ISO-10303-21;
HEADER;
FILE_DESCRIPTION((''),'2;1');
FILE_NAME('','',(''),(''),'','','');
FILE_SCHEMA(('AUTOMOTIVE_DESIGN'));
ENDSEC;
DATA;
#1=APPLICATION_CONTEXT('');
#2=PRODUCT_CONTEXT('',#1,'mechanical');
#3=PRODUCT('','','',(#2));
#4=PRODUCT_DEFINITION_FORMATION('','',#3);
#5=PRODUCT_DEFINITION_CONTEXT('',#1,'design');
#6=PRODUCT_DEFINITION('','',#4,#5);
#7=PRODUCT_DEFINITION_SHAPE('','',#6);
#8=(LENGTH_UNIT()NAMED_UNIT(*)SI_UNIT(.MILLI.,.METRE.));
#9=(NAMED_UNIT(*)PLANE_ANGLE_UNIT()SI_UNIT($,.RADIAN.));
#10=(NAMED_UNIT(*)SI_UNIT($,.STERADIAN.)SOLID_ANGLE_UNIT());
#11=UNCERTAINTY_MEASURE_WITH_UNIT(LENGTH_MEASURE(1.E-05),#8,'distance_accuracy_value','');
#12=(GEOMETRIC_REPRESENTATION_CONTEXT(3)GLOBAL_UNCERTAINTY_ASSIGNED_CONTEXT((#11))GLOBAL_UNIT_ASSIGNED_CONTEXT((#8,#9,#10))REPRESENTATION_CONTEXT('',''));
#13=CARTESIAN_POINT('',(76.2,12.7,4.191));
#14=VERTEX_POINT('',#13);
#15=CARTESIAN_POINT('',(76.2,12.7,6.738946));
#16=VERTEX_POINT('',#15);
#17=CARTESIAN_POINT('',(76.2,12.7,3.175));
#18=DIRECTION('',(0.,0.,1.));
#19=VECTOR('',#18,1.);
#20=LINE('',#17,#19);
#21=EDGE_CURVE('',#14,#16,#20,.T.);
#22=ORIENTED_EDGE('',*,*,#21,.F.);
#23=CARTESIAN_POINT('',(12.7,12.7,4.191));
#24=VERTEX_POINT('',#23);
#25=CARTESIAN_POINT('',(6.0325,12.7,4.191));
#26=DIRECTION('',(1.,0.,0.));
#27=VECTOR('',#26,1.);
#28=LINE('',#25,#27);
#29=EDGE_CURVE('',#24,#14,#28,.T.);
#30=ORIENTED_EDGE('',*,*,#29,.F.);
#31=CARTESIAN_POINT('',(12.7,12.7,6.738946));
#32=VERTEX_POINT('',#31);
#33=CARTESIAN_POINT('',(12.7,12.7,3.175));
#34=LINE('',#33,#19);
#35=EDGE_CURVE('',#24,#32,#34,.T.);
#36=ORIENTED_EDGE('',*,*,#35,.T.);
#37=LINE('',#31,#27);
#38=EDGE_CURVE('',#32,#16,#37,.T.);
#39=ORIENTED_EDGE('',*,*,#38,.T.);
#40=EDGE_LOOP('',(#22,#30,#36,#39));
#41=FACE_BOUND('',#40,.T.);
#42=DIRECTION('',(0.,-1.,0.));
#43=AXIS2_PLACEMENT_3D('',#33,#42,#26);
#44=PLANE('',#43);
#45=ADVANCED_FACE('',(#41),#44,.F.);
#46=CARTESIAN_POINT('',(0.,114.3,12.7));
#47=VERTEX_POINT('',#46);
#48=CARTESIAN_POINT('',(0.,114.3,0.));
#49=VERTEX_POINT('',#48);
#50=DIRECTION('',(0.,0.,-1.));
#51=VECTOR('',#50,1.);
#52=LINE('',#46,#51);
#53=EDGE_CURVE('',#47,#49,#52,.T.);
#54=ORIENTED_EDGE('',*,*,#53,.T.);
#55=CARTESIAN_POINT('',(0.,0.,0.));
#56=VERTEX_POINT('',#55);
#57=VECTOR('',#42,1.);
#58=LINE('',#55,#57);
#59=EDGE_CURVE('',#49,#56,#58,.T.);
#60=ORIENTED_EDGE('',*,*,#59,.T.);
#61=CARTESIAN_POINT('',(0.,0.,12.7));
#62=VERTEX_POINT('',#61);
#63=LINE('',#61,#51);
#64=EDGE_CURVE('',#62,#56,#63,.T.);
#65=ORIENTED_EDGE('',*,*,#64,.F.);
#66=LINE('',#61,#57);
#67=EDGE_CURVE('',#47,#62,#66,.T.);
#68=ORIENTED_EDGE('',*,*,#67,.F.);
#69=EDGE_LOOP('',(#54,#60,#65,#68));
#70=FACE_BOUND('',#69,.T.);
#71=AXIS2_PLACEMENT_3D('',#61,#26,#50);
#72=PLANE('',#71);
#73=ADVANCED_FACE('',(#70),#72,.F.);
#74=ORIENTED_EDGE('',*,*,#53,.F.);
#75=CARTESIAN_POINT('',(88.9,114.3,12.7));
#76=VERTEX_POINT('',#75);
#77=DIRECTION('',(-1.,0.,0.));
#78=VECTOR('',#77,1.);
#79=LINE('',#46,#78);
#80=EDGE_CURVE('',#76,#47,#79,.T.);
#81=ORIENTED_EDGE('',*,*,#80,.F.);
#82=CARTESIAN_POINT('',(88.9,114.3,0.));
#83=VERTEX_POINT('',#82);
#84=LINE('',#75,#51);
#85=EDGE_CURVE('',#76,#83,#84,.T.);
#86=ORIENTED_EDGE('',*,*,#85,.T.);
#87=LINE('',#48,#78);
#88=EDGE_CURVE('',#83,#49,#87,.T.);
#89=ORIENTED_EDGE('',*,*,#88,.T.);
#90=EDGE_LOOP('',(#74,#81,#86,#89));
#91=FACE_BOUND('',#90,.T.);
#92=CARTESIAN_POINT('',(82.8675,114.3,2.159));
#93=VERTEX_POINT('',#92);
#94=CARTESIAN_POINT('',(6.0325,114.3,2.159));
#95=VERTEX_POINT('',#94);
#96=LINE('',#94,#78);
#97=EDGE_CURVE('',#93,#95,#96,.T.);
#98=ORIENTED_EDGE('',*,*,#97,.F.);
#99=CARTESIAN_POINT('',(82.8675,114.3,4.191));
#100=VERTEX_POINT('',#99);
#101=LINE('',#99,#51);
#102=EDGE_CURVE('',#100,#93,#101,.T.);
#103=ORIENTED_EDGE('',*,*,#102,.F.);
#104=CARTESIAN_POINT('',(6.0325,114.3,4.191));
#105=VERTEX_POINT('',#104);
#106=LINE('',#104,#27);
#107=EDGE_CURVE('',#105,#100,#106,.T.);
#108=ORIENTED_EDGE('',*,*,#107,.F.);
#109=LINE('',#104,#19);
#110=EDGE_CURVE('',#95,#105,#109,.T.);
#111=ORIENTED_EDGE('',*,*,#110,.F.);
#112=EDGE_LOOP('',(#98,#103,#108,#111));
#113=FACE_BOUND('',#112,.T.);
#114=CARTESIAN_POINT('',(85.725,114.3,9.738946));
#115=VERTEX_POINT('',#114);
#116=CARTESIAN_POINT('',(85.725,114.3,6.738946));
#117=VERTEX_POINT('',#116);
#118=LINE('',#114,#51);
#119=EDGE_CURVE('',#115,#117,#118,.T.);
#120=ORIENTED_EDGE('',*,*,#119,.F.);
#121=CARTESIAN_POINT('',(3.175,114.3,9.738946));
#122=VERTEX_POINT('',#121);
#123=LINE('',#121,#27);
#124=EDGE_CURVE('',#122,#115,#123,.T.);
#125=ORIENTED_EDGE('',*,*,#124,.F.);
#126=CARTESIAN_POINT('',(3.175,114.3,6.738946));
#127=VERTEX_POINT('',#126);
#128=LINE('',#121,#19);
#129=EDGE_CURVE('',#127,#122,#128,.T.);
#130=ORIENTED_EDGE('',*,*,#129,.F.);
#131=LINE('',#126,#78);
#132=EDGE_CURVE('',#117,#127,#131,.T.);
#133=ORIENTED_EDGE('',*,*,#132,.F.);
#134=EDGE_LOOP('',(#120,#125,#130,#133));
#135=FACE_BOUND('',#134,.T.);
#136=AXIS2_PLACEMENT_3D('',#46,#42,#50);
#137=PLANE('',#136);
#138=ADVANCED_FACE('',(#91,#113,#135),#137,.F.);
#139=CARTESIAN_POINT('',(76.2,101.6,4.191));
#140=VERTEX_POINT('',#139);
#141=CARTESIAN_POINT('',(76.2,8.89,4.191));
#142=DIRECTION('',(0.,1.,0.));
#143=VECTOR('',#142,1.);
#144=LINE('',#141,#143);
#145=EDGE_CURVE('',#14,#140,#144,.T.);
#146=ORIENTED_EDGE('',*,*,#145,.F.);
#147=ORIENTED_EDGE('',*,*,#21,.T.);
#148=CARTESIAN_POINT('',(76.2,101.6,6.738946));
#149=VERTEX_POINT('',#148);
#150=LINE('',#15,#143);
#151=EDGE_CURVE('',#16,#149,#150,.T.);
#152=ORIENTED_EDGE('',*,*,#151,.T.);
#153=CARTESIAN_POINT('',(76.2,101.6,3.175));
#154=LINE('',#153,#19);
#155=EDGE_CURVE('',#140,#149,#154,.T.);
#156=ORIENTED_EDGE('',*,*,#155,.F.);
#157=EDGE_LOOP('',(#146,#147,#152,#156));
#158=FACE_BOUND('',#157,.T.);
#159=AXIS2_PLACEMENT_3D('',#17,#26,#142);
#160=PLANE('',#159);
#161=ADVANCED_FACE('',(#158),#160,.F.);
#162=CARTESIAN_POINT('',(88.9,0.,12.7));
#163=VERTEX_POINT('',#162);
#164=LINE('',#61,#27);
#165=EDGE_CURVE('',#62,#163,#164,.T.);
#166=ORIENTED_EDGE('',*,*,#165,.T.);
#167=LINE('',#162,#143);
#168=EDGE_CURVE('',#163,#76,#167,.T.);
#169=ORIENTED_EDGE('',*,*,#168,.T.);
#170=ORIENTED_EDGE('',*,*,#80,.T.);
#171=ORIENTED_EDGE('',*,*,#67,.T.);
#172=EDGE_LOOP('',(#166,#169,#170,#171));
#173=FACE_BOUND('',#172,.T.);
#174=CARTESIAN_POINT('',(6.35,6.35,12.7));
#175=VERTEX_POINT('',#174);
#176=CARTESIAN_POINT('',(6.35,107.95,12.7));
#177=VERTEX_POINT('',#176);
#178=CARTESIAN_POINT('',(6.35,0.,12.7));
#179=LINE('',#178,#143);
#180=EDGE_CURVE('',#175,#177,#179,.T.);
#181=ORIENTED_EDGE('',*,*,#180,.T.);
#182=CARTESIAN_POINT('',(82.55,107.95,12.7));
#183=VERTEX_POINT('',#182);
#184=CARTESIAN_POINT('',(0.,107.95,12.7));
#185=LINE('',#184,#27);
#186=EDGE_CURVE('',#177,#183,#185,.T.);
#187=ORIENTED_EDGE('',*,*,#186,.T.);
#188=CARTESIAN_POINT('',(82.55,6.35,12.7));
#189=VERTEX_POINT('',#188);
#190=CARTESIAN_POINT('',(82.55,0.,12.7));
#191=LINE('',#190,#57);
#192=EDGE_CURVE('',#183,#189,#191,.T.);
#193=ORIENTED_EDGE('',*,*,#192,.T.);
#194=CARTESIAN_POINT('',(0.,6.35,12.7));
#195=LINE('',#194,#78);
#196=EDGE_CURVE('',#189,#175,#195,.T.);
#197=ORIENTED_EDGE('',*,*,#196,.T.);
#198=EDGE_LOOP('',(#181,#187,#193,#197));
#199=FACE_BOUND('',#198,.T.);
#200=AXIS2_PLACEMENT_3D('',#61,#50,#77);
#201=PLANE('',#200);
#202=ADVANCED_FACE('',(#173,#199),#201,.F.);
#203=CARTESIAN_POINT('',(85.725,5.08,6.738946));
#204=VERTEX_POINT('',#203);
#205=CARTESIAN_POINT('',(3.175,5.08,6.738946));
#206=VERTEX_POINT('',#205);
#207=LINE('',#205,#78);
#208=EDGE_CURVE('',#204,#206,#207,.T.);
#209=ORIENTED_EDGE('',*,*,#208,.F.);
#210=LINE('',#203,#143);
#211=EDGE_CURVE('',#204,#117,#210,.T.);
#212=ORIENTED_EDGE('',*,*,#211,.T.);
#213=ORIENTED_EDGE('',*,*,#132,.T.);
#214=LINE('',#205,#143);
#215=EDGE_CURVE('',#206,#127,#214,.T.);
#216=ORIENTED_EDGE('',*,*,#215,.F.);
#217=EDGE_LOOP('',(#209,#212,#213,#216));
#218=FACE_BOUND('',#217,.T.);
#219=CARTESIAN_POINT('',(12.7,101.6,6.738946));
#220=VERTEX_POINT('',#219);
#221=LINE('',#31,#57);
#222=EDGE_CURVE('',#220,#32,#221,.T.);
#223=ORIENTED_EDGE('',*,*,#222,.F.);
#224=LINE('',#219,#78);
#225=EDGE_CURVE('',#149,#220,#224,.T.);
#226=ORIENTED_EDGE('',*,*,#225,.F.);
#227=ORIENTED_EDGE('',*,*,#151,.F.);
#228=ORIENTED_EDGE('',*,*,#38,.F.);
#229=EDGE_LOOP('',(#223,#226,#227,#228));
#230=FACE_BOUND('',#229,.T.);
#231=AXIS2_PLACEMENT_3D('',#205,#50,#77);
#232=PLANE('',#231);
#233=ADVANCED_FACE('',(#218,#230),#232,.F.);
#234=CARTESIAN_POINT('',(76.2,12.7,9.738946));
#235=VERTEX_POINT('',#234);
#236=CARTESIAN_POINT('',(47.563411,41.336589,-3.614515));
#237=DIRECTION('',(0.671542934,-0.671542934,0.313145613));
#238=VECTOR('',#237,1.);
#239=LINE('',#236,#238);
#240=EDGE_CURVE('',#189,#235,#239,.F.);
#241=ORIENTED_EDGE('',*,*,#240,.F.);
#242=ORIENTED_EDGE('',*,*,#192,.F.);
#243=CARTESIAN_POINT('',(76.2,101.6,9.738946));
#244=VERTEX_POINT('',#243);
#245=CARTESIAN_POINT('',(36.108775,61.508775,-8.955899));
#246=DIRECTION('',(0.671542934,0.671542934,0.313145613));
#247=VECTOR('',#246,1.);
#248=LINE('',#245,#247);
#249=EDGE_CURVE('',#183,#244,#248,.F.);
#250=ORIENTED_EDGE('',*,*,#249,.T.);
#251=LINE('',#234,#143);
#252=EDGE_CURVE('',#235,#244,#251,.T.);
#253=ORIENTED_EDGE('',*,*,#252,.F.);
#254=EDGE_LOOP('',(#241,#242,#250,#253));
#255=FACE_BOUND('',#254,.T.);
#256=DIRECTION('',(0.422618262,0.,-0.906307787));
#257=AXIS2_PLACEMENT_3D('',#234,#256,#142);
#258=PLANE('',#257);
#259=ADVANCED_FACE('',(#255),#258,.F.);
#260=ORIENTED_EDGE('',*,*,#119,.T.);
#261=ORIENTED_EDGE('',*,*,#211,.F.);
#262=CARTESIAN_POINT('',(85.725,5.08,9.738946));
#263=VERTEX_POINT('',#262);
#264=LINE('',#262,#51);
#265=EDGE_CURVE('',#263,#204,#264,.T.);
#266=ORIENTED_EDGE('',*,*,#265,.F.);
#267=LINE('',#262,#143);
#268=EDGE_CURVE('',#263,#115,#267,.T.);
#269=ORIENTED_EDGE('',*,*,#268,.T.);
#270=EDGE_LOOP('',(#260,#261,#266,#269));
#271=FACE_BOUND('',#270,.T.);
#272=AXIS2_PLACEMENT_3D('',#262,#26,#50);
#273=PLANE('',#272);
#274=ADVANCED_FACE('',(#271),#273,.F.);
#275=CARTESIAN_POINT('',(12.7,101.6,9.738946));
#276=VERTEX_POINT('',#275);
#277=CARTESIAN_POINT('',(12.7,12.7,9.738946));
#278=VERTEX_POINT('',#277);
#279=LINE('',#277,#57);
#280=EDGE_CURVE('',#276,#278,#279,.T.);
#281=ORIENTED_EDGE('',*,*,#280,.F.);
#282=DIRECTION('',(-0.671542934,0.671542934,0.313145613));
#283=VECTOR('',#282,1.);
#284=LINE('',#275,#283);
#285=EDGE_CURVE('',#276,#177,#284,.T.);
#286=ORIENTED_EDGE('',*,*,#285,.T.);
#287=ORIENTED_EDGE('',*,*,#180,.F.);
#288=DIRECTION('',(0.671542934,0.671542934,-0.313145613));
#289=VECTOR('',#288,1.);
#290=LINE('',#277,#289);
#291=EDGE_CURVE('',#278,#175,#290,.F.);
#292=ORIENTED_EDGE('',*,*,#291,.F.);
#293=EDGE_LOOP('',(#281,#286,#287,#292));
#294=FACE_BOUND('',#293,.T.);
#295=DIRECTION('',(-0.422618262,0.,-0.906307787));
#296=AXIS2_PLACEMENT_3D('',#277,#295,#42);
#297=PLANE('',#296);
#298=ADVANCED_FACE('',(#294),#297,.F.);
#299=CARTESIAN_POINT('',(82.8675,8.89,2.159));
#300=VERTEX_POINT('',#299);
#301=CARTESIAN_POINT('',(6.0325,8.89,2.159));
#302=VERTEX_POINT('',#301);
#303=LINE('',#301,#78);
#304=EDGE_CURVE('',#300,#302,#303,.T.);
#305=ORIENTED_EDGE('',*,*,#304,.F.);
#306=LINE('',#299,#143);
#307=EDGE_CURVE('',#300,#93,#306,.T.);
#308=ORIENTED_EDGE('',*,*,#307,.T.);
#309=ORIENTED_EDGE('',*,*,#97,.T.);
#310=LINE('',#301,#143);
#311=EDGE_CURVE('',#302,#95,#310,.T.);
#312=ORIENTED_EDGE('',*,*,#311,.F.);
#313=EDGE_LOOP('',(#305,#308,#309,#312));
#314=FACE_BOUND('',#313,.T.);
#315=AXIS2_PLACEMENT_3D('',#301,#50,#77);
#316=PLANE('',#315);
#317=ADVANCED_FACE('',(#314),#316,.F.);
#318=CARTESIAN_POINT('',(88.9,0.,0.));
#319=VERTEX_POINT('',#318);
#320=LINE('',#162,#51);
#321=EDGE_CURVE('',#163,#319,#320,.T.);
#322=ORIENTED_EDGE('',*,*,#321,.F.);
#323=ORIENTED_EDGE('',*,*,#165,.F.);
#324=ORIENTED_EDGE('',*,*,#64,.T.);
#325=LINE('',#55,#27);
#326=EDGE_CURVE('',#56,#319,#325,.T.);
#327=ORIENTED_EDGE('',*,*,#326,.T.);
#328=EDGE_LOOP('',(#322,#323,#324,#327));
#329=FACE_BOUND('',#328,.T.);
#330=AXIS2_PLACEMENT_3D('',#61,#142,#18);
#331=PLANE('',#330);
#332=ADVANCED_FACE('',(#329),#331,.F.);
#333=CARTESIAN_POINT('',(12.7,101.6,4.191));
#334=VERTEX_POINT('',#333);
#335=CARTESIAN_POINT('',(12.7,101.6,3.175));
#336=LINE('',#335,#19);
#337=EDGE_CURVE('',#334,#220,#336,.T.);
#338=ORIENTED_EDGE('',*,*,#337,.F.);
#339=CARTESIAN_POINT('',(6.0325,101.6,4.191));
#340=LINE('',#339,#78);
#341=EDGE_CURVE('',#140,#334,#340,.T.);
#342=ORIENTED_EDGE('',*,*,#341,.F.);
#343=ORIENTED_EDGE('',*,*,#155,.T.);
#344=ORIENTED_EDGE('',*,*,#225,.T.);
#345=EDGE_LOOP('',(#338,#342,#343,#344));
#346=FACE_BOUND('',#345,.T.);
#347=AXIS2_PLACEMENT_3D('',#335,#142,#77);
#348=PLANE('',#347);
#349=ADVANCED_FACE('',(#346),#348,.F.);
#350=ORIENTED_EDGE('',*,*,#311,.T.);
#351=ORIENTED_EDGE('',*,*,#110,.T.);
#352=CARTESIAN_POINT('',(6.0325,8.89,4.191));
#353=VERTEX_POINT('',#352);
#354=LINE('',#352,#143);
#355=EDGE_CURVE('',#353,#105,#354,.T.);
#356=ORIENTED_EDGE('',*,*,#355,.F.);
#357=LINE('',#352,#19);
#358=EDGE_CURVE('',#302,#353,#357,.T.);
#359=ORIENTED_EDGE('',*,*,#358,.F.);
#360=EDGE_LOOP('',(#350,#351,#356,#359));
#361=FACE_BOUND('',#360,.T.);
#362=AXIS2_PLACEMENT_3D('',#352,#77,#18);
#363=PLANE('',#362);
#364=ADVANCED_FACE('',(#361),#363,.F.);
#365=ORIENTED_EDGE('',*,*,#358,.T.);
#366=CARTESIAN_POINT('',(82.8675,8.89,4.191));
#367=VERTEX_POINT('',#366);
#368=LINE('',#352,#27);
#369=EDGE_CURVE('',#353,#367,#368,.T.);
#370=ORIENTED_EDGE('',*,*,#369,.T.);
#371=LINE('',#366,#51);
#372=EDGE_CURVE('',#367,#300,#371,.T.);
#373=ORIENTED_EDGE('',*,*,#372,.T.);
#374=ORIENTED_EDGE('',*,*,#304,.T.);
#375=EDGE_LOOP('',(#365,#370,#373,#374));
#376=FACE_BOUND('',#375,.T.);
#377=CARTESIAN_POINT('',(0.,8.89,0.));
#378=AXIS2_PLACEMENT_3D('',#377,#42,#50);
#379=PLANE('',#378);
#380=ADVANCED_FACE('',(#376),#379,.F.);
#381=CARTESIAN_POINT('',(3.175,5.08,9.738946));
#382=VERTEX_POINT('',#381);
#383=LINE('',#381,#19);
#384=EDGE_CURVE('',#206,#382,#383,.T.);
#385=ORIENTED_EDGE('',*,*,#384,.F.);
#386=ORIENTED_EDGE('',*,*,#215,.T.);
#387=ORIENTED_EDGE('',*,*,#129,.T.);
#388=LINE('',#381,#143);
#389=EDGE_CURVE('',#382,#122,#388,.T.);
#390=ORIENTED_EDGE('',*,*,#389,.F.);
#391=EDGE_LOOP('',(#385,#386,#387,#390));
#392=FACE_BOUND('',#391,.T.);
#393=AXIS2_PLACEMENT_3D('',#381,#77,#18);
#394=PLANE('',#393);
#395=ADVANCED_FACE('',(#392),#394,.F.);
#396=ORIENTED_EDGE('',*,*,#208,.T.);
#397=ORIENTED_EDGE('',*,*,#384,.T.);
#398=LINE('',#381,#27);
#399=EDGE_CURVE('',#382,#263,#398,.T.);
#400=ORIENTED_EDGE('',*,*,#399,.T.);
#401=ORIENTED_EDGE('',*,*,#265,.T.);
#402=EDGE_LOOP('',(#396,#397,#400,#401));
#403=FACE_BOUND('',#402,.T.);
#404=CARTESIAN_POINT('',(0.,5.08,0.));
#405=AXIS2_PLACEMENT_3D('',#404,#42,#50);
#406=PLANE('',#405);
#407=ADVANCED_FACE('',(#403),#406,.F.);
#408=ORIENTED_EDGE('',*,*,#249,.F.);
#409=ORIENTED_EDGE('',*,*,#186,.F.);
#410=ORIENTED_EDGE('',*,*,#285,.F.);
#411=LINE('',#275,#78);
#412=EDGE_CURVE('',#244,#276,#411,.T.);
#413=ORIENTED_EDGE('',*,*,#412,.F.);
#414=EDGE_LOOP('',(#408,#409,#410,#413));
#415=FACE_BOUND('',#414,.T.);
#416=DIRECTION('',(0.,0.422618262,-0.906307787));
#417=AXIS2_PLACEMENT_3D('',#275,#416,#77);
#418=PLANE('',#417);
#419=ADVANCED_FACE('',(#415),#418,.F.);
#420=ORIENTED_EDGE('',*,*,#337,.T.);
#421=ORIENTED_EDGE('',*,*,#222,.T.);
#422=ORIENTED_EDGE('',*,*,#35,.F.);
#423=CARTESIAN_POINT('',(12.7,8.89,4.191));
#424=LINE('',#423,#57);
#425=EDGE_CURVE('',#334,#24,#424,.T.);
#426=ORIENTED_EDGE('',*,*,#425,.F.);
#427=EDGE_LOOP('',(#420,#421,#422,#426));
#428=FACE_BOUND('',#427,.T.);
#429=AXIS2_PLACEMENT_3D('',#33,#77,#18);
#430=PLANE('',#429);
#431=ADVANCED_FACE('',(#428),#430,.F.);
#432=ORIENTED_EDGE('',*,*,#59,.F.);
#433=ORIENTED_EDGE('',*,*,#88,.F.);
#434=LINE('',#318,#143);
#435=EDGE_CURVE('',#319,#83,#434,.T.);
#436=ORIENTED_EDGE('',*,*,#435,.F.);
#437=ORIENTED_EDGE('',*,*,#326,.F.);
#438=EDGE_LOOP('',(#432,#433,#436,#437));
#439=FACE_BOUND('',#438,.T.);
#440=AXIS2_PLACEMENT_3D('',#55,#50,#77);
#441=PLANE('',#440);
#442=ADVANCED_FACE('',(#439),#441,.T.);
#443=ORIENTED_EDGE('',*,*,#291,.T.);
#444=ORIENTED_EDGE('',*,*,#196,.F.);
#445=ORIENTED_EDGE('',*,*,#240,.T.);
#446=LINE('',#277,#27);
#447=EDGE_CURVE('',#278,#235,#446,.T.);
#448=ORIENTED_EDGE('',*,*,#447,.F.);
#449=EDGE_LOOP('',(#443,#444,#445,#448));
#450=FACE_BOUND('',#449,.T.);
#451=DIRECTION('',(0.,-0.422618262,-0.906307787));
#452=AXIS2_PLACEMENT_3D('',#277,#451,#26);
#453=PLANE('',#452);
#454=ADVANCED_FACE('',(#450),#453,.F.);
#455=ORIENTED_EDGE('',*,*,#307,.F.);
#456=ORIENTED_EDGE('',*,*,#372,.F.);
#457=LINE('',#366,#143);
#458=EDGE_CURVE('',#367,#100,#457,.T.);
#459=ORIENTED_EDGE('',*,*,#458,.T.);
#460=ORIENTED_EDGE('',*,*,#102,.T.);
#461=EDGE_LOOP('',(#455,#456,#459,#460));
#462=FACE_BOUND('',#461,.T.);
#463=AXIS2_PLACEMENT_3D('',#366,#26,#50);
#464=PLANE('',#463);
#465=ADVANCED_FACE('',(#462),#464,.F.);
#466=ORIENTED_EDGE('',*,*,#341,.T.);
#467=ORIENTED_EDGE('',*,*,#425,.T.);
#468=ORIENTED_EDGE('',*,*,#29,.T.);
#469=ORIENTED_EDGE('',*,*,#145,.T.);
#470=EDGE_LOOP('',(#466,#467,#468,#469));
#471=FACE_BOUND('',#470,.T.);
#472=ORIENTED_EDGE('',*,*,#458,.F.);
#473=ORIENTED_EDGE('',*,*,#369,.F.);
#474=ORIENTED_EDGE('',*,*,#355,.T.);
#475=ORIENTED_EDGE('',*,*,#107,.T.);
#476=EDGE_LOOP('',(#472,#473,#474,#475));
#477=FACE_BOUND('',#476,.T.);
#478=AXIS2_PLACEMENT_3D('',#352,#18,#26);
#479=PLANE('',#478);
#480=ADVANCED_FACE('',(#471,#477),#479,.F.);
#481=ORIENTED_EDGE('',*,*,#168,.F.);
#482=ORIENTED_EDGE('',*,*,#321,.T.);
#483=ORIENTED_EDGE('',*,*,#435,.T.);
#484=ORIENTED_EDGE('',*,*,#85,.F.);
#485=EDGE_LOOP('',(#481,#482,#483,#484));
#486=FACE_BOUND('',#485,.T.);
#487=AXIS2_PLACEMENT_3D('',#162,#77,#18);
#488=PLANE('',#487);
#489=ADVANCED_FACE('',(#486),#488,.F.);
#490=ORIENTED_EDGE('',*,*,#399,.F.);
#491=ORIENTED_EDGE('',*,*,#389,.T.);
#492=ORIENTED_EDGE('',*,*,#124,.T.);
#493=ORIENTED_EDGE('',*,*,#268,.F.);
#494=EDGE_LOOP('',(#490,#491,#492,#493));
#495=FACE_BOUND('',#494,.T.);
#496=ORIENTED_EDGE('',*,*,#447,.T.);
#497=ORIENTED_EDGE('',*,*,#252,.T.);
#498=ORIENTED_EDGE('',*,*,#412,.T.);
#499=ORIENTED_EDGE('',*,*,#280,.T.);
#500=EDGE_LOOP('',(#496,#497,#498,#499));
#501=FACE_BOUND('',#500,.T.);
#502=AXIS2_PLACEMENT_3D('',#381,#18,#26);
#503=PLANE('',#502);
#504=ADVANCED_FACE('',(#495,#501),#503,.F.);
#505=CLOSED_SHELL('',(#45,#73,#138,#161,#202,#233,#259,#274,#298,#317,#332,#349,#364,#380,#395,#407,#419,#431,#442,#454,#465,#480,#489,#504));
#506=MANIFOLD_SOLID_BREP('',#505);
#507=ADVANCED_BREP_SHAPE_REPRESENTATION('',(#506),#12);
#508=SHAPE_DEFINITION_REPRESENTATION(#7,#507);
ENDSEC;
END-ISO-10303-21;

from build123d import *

# Parameters (mm, degrees)
SKETCH1_W            = 88.9
SKETCH1_H            = 114.3
BOSS_EXTRUDE1_DEPTH  = 12.7
SKETCH2_W            = 76.835
SKETCH2_H            = 2.032
TOPLOADER_CUT_DEPTH  = 105.41
SKETCH3_W            = 63.5
SKETCH3_H            = 88.9
VIEWING_WINDOW_DEPTH = 9.525
CHAMFER1_SIZE        = 6.35
CHAMFER1_SIZE2       = 2.961053629
ACRYLIC_CUT_W        = 82.55
ACRYLIC_CUT_H        = 3
CUT_EXTRUDE1_DEPTH   = 109.22


with BuildPart() as part:
    # Sketch1 → Boss-Extrude1 (new body)
    with BuildSketch(Plane.XY):
        with Locations((44.45, 57.15)):
            Rectangle(SKETCH1_W, SKETCH1_H)
    extrude(amount=BOSS_EXTRUDE1_DEPTH)

    # Sketch2 → toploader_cut (cut)
    with BuildSketch(Plane(origin=(0, 114.3, 0), x_dir=(1, 0, 0), z_dir=(0, 1, 0))):
        with Locations((44.45, -3.175)):
            Rectangle(SKETCH2_W, SKETCH2_H)
    extrude(amount=-TOPLOADER_CUT_DEPTH, mode=Mode.SUBTRACT)

    # Sketch3 → viewing_window (cut)
    with BuildSketch(Plane.XY.offset(12.7)):
        with Locations((44.45, 57.15)):
            Rectangle(SKETCH3_W, SKETCH3_H)
    extrude(amount=-VIEWING_WINDOW_DEPTH, mode=Mode.SUBTRACT)

    # Chamfer1
    chamfer1_edges = [part.edges().sort_by_distance(p)[0] for p in [
        (12.7, 57.15, 12.7),
        (44.45, 12.7, 12.7),
        (76.2, 57.15, 12.7),
        (44.45, 101.6, 12.7),
    ]]
    chamfer1_side = [part.faces().sort_by_distance(p)[0] for p in [
        (44.45, 1.44802279, 12.7),
    ]]
    chamfer(chamfer1_edges, length=CHAMFER1_SIZE, length2=CHAMFER1_SIZE2, reference=chamfer1_side[0])

    # acrylic_cut → Cut-Extrude1 (cut)
    with BuildSketch(Plane(origin=(0, 114.3, 0), x_dir=(1, 0, 0), z_dir=(0, 1, 0))):
        with Locations((44.45, -8.238946371)):
            Rectangle(ACRYLIC_CUT_W, ACRYLIC_CUT_H)
    extrude(amount=-CUT_EXTRUDE1_DEPTH, mode=Mode.SUBTRACT)


solid = part.part
